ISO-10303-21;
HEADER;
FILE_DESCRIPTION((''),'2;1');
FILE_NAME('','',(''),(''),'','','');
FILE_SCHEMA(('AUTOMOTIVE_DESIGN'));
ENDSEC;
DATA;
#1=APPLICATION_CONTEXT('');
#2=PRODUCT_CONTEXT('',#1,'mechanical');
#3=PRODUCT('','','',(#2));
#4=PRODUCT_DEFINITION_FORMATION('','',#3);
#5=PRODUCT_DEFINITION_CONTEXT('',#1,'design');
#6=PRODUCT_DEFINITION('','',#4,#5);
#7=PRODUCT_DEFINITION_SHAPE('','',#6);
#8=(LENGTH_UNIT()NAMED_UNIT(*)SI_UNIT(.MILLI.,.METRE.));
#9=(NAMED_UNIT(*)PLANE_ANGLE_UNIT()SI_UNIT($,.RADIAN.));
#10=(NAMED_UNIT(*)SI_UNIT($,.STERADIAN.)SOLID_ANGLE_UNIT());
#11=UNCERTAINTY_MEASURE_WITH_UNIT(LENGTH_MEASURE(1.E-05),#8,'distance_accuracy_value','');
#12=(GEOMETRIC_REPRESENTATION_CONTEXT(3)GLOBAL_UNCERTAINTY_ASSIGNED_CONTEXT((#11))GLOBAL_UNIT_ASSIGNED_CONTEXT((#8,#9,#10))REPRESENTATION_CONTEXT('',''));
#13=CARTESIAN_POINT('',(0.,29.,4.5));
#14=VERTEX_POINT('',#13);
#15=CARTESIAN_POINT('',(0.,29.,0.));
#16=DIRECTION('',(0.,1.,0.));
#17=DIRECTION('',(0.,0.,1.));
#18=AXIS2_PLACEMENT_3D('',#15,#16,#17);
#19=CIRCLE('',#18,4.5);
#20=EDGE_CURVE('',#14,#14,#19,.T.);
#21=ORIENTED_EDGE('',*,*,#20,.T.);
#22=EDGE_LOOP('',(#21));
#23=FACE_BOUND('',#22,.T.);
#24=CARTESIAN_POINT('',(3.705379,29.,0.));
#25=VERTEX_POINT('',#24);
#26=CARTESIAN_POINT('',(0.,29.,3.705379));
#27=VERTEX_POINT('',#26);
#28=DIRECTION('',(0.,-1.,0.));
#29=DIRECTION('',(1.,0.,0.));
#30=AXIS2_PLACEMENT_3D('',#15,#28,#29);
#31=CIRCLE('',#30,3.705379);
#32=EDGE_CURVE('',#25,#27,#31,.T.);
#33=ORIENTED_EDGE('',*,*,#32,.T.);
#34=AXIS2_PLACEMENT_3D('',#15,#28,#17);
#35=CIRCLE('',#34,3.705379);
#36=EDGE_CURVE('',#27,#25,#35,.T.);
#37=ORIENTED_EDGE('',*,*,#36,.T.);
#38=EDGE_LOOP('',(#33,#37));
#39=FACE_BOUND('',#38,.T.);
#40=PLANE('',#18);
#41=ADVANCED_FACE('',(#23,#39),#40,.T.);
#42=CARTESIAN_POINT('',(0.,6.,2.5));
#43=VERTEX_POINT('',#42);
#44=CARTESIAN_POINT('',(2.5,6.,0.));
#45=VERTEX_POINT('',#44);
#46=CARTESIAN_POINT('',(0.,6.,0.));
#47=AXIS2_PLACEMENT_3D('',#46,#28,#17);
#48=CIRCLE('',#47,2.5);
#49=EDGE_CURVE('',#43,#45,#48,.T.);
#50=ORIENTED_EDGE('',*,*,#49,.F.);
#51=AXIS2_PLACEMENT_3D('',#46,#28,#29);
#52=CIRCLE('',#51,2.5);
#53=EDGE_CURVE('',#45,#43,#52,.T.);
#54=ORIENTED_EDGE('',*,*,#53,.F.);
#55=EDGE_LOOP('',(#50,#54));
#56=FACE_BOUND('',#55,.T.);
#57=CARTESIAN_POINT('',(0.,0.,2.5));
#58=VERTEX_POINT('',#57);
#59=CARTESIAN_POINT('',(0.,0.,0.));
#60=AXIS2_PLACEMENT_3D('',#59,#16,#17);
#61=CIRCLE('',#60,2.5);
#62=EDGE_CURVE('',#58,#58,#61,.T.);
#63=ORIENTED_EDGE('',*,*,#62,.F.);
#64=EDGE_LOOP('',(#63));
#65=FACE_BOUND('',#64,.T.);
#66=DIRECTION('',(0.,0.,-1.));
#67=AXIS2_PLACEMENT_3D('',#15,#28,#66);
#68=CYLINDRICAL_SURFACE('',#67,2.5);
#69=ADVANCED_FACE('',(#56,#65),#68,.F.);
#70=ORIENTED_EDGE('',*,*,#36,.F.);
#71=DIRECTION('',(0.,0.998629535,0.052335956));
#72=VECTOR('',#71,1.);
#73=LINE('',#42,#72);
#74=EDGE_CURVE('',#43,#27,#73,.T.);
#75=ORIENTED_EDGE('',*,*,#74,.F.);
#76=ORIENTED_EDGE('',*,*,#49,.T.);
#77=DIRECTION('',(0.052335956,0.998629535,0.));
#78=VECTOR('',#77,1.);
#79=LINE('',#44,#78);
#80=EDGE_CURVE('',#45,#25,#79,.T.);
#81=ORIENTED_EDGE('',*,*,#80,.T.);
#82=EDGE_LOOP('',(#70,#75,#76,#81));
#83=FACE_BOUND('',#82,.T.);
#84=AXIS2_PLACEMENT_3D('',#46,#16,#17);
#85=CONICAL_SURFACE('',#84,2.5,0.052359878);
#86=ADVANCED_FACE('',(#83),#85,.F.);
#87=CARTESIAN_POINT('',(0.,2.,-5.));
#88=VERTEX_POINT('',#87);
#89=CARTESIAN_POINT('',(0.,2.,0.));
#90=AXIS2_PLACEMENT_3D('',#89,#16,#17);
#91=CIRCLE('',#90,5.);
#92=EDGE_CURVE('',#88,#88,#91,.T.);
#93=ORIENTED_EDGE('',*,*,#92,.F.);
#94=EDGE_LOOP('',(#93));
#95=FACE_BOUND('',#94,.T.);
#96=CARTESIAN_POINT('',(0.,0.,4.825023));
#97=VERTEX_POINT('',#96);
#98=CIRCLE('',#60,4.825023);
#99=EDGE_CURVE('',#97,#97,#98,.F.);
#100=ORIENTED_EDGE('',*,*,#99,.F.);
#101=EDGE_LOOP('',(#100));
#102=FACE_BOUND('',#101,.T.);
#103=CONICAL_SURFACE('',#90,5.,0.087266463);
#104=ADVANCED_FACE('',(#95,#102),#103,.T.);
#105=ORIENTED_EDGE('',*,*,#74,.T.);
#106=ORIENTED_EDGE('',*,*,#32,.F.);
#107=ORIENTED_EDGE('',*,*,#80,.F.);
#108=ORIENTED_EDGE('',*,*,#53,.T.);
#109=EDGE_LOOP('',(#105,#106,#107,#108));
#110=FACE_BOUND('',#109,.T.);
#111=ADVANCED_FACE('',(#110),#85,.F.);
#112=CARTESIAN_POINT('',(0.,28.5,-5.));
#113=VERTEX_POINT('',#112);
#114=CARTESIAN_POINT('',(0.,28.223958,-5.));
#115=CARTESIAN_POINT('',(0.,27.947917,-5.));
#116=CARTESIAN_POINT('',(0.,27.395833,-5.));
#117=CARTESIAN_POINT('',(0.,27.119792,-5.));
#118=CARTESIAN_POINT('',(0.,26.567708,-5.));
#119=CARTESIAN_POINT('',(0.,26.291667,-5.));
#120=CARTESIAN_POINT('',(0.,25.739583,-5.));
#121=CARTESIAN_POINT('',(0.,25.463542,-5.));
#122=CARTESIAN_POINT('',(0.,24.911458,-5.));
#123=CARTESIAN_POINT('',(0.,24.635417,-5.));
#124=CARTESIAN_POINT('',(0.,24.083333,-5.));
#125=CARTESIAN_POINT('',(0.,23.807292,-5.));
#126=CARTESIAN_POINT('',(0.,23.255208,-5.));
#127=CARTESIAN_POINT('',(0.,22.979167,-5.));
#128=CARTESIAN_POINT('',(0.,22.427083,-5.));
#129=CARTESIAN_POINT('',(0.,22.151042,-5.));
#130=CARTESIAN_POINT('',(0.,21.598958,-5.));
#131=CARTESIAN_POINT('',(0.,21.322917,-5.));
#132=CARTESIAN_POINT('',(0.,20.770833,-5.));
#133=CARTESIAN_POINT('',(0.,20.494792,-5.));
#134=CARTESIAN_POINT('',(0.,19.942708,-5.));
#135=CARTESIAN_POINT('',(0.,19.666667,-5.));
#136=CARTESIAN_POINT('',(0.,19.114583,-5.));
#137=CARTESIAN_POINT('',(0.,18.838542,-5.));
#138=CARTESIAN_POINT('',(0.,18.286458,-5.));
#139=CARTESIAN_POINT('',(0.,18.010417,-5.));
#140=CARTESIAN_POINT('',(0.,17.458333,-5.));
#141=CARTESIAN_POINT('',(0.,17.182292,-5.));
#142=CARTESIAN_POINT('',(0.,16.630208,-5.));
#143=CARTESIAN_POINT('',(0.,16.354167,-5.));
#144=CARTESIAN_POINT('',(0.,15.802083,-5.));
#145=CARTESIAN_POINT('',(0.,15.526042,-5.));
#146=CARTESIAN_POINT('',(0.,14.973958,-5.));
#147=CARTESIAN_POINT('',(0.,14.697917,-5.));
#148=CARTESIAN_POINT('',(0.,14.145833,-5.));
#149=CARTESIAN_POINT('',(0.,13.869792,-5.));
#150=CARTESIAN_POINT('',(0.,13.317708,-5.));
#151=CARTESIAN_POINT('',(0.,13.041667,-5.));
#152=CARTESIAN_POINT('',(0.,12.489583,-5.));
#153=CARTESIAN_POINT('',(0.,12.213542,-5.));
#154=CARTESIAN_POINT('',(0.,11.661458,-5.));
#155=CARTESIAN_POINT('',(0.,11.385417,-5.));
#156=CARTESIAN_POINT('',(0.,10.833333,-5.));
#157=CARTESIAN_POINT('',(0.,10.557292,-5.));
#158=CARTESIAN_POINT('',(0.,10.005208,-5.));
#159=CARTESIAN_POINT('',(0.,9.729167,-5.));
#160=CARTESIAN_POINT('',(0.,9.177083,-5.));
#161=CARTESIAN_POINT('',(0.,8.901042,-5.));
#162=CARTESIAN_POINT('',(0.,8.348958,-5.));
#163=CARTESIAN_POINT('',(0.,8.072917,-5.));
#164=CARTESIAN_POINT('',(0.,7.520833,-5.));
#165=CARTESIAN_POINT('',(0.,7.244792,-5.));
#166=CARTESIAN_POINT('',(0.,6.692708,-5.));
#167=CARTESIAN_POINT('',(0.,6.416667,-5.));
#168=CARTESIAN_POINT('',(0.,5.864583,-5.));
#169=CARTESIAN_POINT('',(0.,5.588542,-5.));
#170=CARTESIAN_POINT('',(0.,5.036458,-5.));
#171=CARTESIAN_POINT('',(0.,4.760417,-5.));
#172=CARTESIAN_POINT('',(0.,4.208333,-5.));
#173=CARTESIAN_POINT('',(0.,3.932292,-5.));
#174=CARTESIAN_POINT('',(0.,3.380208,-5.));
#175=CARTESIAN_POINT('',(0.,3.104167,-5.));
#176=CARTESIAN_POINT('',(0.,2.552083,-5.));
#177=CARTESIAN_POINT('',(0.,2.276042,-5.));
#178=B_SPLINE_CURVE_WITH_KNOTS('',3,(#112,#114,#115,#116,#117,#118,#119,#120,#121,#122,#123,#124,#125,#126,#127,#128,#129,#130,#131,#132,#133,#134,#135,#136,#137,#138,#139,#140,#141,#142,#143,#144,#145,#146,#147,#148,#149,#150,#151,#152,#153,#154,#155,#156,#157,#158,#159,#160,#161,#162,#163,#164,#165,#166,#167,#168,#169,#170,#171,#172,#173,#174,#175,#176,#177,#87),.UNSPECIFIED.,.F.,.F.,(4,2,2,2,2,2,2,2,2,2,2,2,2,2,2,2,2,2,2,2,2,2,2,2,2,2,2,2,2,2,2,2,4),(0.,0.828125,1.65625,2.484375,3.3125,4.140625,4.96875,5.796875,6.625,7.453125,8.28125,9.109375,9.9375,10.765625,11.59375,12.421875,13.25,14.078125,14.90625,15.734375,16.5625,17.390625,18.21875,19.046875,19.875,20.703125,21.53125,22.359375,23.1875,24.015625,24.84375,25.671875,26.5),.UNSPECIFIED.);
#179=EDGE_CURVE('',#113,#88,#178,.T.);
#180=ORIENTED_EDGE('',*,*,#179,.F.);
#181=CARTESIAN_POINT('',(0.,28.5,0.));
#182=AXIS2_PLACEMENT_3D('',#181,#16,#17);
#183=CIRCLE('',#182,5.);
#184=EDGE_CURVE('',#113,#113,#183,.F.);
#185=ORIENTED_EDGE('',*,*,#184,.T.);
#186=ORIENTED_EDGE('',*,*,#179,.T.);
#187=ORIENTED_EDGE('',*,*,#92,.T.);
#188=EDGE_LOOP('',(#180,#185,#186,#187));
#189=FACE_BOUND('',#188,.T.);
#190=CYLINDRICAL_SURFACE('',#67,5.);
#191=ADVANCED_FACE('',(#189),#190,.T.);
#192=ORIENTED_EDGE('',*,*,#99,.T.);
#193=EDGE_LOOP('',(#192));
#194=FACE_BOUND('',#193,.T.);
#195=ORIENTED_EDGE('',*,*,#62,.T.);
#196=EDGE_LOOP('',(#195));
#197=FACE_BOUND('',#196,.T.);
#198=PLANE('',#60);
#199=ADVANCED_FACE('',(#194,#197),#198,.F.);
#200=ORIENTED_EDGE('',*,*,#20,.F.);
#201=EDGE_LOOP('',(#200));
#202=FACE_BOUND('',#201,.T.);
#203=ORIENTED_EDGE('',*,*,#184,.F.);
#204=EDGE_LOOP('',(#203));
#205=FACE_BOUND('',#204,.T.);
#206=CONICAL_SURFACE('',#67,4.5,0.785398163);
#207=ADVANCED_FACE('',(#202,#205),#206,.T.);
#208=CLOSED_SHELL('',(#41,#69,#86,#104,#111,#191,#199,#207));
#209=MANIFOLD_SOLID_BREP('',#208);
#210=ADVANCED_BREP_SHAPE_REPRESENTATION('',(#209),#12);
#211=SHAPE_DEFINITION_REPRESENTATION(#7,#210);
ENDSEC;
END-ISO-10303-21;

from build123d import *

# Parameters (mm, degrees)
SKETCH1_R           = 5
SKETCH1_R_2         = 2.5
BOSS_EXTRUDE1_DEPTH = 29
CHAMFER1_SIZE       = 2
CHAMFER1_SIZE2      = 0.174977327
CHAMFER2_SIZE       = 0.5


with BuildPart() as part:
    # Sketch1 → Boss-Extrude1 (new body)
    with BuildSketch(Plane(origin=(0, 0, 0), x_dir=(1, 0, 0), z_dir=(0, 1, 0))):
        with Locations(Location((0, 0, 0), (0, 0, 90))):
            Circle(SKETCH1_R)
        with Locations(Location((0, 0, 0), (0, 0, 90))):
            Circle(SKETCH1_R_2, mode=Mode.SUBTRACT)
    extrude(amount=BOSS_EXTRUDE1_DEPTH)

    # Cut-Sweep1: sweep along a curve in space
    with BuildLine() as cut_sweep1_path:
        ThreePointArc((0, 29, 2.5), (1.767766953, 29, 1.767766953), (2.5, 29, 0))
        ThreePointArc((2.5, 29, 0), (1.767766953, 29, -1.767766953), (0, 29, -2.5))
        ThreePointArc((0, 29, -2.5), (-1.767766953, 29, -1.767766953), (-2.5, 29, 0))
        ThreePointArc((-2.5, 29, 0), (-1.767766953, 29, 1.767766953), (0, 29, 2.5))
    # Sketch2 → Cut-Sweep1 (sweep, cut)
    with BuildSketch(Plane.XY):
        Polygon((2.5, 6), (3.705378924, 29), (2.5, 29), align=None)
    sweep(path=cut_sweep1_path.line, mode=Mode.SUBTRACT)

    # Chamfer1
    chamfer1_edges = [part.edges().sort_by_distance(p)[0] for p in [
        (0, 0, 5),
    ]]
    chamfer1_side = [part.faces().sort_by_distance(p)[0] for p in [
        (0, 14.5, 5),
    ]]
    chamfer(chamfer1_edges, length=CHAMFER1_SIZE, length2=CHAMFER1_SIZE2, reference=chamfer1_side[0])

    # Chamfer2
    chamfer2_edges = [part.edges().sort_by_distance(p)[0] for p in [
        (0, 29, 5),
    ]]
    chamfer(chamfer2_edges, length=CHAMFER2_SIZE)


solid = part.part
